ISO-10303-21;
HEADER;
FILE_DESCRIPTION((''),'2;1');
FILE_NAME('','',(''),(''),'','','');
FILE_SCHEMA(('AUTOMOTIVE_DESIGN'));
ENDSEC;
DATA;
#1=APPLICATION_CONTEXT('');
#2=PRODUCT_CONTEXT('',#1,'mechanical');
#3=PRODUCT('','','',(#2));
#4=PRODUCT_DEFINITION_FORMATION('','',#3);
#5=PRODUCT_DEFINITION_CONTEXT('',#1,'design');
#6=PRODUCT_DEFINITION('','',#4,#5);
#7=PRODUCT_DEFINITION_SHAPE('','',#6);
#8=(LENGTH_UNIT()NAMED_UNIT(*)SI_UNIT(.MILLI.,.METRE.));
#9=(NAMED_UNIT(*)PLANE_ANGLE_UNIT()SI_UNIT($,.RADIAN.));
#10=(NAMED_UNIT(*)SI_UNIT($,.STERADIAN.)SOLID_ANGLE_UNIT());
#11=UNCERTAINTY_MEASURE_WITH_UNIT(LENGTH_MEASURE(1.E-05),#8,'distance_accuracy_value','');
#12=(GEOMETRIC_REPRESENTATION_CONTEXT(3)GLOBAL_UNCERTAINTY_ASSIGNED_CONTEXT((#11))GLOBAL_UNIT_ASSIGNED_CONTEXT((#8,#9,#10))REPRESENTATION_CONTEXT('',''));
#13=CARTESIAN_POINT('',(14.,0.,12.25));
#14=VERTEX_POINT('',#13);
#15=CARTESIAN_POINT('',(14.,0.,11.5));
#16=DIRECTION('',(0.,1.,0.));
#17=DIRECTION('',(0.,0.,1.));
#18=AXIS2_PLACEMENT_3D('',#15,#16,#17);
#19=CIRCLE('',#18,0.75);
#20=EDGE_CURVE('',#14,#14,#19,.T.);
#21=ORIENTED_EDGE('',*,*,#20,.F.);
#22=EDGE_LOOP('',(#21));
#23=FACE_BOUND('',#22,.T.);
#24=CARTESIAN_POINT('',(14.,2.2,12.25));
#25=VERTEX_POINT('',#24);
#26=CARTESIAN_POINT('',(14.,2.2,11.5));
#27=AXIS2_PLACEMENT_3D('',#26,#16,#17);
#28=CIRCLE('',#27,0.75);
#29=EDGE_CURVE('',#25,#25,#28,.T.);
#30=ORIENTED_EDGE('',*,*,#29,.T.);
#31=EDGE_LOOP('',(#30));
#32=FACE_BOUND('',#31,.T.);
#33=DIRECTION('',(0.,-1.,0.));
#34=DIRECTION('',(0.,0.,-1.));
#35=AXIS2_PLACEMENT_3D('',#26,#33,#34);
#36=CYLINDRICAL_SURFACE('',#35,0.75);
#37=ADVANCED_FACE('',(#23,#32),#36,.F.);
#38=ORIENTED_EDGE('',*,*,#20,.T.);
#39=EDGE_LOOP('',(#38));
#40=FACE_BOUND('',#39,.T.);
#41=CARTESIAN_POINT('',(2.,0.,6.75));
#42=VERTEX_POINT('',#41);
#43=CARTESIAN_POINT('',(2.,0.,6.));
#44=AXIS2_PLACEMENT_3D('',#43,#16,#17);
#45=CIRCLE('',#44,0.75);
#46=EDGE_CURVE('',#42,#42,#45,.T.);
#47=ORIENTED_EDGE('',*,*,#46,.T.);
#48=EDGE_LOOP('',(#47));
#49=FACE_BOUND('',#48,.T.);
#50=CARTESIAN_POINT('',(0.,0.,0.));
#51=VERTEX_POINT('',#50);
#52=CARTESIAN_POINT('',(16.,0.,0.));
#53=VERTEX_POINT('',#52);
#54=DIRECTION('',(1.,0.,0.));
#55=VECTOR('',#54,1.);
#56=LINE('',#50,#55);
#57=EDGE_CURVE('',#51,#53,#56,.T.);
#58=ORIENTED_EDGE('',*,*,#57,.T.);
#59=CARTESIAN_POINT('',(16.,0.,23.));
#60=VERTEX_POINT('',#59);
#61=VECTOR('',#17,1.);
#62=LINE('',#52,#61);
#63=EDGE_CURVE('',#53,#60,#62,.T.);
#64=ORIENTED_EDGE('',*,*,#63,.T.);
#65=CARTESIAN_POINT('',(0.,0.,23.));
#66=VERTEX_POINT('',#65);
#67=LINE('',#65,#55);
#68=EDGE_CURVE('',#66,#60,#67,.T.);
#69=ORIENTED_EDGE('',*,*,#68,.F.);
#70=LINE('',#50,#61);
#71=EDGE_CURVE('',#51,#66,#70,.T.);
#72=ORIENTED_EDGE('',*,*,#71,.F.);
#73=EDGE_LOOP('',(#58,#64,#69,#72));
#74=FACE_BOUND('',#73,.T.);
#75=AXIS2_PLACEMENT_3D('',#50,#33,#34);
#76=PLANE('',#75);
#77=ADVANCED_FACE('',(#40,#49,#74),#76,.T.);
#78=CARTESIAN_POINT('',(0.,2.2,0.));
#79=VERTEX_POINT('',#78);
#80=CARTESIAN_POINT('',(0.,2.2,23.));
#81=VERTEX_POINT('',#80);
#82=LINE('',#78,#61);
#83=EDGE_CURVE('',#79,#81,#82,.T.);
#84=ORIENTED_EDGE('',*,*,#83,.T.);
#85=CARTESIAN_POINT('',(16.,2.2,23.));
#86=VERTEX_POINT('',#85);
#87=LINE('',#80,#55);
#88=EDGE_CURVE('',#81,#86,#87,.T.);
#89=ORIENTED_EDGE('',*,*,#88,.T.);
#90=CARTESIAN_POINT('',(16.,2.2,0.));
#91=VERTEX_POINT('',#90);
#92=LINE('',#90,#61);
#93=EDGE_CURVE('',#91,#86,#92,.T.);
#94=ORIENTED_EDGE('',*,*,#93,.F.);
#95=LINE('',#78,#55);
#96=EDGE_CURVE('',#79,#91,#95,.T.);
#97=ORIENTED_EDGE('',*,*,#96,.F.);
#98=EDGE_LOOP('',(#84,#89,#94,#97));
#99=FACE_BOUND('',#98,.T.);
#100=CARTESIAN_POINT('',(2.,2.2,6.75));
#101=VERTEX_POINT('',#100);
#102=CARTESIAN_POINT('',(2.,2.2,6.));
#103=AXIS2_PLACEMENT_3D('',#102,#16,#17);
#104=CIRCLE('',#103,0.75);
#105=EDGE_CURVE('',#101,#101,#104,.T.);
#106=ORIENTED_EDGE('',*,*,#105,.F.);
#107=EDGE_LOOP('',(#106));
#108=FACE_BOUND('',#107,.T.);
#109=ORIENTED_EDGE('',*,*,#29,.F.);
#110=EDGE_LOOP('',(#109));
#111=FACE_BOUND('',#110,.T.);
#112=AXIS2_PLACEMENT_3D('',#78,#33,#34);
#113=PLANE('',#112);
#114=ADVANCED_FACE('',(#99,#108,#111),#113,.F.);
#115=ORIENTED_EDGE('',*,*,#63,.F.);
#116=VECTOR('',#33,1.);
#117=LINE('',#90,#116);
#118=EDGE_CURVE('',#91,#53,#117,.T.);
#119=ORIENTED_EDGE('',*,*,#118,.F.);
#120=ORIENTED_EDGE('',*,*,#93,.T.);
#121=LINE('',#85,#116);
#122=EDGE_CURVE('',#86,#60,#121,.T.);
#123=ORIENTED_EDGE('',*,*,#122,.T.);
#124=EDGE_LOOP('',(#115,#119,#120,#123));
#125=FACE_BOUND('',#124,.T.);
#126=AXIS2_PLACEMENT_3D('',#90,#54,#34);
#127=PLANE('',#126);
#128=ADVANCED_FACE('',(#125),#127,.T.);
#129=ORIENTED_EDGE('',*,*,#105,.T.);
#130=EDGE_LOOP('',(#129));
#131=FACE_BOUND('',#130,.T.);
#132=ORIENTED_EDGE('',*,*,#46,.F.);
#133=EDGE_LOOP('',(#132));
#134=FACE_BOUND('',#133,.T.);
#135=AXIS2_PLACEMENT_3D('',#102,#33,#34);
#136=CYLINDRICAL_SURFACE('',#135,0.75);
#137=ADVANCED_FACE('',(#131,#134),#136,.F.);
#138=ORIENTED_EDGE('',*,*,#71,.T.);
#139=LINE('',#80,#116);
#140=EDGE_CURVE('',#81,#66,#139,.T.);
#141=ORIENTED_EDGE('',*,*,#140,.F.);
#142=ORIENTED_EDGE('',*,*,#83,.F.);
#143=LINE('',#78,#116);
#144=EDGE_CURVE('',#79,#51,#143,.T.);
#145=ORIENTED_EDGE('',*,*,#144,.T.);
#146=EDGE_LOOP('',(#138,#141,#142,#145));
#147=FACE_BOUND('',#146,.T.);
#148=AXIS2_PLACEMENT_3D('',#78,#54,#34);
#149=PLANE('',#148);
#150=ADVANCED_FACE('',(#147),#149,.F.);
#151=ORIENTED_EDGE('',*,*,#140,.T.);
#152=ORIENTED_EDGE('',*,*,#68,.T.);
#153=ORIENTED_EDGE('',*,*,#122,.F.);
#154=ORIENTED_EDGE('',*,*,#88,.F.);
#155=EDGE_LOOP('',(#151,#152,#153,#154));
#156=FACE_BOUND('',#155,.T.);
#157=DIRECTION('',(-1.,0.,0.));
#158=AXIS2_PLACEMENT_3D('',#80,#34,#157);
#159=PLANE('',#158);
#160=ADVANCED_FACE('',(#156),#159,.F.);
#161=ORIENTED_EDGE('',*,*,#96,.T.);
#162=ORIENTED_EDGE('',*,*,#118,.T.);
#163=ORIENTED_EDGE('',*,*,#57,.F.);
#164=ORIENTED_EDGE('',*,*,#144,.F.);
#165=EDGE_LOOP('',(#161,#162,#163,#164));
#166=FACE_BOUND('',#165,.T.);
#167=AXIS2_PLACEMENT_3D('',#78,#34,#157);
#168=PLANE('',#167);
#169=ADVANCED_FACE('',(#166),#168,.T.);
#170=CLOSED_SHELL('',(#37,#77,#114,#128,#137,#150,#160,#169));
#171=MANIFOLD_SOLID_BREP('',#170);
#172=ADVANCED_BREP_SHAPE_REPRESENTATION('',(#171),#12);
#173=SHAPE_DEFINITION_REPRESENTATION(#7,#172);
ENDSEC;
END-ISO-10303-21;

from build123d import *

# Parameters (mm, degrees)
SKETCH_1_W      = 16
SKETCH_1_H      = 23
SKETCH_1_R      = 0.75
EXTRUDE_1_DEPTH = 2.2


with BuildPart() as part:
    # 草图1 → 凸台-拉伸1 (new body)
    with BuildSketch(Plane(origin=(0, 0, 0), x_dir=(1, 0, 0), z_dir=(0, 1, 0))):
        with Locations((8, -11.5)):
            Rectangle(SKETCH_1_W, SKETCH_1_H)
        with Locations(Location((14, -11.5, 0), (0, 0, 270))):
            Circle(SKETCH_1_R, mode=Mode.SUBTRACT)
        with Locations(Location((2, -6, 0), (0, 0, 270))):
            Circle(SKETCH_1_R, mode=Mode.SUBTRACT)
    extrude(amount=EXTRUDE_1_DEPTH)


solid = part.part
